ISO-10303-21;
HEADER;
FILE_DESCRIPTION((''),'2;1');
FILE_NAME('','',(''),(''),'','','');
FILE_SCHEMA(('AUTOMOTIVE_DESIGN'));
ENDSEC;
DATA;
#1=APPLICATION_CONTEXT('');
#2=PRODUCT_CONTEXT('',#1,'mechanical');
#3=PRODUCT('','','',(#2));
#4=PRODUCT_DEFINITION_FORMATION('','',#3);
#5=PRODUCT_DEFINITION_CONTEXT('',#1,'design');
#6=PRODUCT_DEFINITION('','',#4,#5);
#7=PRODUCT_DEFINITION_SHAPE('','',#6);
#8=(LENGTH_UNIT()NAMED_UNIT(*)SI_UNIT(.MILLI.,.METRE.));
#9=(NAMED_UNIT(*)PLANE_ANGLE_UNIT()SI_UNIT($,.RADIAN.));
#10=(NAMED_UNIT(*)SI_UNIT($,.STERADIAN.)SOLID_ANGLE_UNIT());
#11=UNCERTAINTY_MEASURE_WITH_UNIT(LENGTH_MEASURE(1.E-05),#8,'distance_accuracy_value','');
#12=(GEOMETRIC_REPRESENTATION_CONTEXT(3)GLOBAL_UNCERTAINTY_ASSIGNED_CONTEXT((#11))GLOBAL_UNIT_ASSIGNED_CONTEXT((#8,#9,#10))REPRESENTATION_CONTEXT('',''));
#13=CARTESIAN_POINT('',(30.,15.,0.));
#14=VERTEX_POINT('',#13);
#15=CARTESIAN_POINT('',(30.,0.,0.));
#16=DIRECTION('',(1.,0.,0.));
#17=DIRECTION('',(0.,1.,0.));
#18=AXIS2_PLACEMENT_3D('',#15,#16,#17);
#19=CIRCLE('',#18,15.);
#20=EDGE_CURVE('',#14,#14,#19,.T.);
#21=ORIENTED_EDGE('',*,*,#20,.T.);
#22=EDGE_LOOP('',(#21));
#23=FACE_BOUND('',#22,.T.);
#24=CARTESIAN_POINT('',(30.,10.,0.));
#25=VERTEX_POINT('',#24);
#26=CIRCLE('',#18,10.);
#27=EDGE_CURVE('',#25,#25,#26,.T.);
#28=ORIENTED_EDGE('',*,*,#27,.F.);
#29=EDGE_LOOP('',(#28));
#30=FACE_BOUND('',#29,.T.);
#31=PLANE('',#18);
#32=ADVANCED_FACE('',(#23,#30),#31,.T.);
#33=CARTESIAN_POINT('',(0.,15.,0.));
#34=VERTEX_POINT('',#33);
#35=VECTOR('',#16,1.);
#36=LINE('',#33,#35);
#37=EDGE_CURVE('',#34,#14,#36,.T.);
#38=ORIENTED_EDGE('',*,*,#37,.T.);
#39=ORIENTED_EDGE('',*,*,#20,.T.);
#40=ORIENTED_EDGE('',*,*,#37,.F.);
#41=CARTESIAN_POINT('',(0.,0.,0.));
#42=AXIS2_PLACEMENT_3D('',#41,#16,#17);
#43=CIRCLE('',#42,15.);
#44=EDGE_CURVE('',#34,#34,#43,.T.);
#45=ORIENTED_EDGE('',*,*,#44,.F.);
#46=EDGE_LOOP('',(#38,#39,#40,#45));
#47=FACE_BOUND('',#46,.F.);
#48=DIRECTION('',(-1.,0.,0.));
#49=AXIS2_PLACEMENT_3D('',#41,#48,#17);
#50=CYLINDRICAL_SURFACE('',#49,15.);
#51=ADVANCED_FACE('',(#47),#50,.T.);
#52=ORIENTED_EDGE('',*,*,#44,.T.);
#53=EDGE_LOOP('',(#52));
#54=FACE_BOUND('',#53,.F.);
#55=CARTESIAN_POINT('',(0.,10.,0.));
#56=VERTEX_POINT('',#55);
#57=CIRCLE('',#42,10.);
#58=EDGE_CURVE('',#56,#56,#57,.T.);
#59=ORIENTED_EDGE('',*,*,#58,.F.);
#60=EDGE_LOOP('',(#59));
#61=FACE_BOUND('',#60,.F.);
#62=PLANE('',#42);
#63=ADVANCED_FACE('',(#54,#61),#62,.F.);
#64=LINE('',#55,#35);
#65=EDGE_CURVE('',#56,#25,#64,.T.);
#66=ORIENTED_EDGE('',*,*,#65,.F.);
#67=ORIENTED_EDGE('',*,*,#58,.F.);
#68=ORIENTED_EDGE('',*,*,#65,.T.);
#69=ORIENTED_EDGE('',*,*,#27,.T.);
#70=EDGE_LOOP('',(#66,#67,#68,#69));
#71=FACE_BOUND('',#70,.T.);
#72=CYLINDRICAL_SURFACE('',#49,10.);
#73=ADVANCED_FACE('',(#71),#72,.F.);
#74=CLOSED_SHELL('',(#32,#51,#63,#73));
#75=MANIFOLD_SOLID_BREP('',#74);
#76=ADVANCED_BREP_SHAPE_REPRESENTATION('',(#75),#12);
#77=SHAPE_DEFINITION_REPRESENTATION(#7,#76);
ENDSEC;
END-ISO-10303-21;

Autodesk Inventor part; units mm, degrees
ref_plane "YZ Plane" through (0, 0, 0) normal (1, 0, 0) x (0, 1, 0)
ref_plane "XZ Plane" through (0, 0, 0) normal (0, 1, 0) x (-1, 0, 0)
ref_plane "XY Plane" through (0, 0, 0) normal (0, 0, 1) x (1, 0, 0)
sketch "Sketch1" plane through (0, 0, 0) normal (1, 0, 0) x (0, 1, 0)
  circle A0 centre (0, 0) radius 15
  circle A1 centre (0, 0) radius 10
  dimension "d0" = 30
  dimension "d1" = 20
extrude "Extrusion1" add sketch "Sketch1" along normal blind 30
properties part number "bush" material "Brass, Soft Yellow"
